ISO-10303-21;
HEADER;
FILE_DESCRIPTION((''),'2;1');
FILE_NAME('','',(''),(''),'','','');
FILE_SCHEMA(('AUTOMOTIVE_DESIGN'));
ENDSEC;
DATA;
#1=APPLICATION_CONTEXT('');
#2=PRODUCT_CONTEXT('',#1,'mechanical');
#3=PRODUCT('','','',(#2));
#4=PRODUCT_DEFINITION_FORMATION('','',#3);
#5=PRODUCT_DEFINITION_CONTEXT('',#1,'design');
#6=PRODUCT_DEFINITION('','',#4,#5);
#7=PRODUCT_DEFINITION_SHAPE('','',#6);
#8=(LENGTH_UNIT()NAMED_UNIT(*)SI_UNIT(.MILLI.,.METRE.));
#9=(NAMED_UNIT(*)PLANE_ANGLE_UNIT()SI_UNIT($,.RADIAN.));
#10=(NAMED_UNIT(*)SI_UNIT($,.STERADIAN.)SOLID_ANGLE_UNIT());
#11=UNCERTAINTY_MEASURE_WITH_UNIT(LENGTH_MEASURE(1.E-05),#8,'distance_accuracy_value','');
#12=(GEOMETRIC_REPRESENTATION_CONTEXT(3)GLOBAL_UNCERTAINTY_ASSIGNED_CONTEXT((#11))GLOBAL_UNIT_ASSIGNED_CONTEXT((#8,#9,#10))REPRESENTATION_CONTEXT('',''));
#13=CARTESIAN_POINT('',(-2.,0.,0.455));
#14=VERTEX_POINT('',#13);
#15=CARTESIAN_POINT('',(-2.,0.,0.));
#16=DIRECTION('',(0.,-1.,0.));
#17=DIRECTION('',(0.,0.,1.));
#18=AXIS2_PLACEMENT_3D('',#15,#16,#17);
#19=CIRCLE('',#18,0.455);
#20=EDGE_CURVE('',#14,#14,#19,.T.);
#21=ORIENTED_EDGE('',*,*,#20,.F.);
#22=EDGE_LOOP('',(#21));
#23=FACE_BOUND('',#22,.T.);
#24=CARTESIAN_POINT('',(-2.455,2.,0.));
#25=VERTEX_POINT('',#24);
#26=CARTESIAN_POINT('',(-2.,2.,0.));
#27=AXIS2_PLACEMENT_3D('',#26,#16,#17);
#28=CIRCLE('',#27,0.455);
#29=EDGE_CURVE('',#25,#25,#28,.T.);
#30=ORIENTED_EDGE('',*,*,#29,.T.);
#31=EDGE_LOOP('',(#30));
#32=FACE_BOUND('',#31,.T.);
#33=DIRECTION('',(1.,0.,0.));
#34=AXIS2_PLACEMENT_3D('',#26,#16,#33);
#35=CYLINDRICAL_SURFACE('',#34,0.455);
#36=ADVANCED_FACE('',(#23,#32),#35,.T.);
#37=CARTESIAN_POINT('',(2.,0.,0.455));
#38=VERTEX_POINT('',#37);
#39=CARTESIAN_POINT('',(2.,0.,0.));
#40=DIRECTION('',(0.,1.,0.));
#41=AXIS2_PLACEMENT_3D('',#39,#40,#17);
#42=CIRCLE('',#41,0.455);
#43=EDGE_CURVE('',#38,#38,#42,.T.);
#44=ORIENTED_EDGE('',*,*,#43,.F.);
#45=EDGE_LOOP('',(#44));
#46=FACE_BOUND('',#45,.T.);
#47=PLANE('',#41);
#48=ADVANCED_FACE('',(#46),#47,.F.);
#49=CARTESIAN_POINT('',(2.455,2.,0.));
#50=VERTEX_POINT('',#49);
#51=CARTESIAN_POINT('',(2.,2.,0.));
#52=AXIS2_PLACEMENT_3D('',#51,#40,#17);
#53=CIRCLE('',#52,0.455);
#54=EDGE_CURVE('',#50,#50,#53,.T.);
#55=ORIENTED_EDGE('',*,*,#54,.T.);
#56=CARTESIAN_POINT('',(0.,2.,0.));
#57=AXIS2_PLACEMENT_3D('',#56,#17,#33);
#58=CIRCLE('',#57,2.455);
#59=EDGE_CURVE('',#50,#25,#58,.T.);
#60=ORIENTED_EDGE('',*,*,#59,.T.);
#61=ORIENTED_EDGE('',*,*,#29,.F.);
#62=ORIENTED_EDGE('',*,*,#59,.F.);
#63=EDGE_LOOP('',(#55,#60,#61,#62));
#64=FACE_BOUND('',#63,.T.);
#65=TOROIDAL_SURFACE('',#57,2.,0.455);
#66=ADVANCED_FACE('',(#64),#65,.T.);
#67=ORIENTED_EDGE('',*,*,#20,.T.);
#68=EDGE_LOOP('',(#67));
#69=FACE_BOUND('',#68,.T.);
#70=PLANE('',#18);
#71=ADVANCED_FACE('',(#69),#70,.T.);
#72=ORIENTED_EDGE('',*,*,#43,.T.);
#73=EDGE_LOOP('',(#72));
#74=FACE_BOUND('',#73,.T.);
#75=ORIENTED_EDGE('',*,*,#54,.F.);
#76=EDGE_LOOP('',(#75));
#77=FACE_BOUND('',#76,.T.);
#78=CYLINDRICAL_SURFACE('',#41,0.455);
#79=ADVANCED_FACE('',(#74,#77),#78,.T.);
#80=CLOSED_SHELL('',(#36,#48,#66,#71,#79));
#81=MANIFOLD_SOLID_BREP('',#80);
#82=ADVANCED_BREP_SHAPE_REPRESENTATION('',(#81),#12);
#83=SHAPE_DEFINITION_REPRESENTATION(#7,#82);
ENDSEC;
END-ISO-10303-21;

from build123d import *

# Parameters (mm, degrees)
BARRER1_PROFILE_R = 0.455


with BuildPart() as part:
    # Barrer1: sweep along a path in Croquis1
    with BuildLine(Plane.XY) as barrer1_path:
        Line((-2, 0), (-2, 2))
        ThreePointArc((-2, 2), (0, 4), (2, 2))
        Line((2, 2), (2, 0))
    # Barrer1 profile (on start of the path) → Barrer1 (sweep)
    with BuildSketch(Plane(origin=(-2, 0, 0), x_dir=(1, 0, 0), z_dir=(0, 1, 0))):
        Circle(BARRER1_PROFILE_R)
    sweep(path=barrer1_path.line)


solid = part.part
